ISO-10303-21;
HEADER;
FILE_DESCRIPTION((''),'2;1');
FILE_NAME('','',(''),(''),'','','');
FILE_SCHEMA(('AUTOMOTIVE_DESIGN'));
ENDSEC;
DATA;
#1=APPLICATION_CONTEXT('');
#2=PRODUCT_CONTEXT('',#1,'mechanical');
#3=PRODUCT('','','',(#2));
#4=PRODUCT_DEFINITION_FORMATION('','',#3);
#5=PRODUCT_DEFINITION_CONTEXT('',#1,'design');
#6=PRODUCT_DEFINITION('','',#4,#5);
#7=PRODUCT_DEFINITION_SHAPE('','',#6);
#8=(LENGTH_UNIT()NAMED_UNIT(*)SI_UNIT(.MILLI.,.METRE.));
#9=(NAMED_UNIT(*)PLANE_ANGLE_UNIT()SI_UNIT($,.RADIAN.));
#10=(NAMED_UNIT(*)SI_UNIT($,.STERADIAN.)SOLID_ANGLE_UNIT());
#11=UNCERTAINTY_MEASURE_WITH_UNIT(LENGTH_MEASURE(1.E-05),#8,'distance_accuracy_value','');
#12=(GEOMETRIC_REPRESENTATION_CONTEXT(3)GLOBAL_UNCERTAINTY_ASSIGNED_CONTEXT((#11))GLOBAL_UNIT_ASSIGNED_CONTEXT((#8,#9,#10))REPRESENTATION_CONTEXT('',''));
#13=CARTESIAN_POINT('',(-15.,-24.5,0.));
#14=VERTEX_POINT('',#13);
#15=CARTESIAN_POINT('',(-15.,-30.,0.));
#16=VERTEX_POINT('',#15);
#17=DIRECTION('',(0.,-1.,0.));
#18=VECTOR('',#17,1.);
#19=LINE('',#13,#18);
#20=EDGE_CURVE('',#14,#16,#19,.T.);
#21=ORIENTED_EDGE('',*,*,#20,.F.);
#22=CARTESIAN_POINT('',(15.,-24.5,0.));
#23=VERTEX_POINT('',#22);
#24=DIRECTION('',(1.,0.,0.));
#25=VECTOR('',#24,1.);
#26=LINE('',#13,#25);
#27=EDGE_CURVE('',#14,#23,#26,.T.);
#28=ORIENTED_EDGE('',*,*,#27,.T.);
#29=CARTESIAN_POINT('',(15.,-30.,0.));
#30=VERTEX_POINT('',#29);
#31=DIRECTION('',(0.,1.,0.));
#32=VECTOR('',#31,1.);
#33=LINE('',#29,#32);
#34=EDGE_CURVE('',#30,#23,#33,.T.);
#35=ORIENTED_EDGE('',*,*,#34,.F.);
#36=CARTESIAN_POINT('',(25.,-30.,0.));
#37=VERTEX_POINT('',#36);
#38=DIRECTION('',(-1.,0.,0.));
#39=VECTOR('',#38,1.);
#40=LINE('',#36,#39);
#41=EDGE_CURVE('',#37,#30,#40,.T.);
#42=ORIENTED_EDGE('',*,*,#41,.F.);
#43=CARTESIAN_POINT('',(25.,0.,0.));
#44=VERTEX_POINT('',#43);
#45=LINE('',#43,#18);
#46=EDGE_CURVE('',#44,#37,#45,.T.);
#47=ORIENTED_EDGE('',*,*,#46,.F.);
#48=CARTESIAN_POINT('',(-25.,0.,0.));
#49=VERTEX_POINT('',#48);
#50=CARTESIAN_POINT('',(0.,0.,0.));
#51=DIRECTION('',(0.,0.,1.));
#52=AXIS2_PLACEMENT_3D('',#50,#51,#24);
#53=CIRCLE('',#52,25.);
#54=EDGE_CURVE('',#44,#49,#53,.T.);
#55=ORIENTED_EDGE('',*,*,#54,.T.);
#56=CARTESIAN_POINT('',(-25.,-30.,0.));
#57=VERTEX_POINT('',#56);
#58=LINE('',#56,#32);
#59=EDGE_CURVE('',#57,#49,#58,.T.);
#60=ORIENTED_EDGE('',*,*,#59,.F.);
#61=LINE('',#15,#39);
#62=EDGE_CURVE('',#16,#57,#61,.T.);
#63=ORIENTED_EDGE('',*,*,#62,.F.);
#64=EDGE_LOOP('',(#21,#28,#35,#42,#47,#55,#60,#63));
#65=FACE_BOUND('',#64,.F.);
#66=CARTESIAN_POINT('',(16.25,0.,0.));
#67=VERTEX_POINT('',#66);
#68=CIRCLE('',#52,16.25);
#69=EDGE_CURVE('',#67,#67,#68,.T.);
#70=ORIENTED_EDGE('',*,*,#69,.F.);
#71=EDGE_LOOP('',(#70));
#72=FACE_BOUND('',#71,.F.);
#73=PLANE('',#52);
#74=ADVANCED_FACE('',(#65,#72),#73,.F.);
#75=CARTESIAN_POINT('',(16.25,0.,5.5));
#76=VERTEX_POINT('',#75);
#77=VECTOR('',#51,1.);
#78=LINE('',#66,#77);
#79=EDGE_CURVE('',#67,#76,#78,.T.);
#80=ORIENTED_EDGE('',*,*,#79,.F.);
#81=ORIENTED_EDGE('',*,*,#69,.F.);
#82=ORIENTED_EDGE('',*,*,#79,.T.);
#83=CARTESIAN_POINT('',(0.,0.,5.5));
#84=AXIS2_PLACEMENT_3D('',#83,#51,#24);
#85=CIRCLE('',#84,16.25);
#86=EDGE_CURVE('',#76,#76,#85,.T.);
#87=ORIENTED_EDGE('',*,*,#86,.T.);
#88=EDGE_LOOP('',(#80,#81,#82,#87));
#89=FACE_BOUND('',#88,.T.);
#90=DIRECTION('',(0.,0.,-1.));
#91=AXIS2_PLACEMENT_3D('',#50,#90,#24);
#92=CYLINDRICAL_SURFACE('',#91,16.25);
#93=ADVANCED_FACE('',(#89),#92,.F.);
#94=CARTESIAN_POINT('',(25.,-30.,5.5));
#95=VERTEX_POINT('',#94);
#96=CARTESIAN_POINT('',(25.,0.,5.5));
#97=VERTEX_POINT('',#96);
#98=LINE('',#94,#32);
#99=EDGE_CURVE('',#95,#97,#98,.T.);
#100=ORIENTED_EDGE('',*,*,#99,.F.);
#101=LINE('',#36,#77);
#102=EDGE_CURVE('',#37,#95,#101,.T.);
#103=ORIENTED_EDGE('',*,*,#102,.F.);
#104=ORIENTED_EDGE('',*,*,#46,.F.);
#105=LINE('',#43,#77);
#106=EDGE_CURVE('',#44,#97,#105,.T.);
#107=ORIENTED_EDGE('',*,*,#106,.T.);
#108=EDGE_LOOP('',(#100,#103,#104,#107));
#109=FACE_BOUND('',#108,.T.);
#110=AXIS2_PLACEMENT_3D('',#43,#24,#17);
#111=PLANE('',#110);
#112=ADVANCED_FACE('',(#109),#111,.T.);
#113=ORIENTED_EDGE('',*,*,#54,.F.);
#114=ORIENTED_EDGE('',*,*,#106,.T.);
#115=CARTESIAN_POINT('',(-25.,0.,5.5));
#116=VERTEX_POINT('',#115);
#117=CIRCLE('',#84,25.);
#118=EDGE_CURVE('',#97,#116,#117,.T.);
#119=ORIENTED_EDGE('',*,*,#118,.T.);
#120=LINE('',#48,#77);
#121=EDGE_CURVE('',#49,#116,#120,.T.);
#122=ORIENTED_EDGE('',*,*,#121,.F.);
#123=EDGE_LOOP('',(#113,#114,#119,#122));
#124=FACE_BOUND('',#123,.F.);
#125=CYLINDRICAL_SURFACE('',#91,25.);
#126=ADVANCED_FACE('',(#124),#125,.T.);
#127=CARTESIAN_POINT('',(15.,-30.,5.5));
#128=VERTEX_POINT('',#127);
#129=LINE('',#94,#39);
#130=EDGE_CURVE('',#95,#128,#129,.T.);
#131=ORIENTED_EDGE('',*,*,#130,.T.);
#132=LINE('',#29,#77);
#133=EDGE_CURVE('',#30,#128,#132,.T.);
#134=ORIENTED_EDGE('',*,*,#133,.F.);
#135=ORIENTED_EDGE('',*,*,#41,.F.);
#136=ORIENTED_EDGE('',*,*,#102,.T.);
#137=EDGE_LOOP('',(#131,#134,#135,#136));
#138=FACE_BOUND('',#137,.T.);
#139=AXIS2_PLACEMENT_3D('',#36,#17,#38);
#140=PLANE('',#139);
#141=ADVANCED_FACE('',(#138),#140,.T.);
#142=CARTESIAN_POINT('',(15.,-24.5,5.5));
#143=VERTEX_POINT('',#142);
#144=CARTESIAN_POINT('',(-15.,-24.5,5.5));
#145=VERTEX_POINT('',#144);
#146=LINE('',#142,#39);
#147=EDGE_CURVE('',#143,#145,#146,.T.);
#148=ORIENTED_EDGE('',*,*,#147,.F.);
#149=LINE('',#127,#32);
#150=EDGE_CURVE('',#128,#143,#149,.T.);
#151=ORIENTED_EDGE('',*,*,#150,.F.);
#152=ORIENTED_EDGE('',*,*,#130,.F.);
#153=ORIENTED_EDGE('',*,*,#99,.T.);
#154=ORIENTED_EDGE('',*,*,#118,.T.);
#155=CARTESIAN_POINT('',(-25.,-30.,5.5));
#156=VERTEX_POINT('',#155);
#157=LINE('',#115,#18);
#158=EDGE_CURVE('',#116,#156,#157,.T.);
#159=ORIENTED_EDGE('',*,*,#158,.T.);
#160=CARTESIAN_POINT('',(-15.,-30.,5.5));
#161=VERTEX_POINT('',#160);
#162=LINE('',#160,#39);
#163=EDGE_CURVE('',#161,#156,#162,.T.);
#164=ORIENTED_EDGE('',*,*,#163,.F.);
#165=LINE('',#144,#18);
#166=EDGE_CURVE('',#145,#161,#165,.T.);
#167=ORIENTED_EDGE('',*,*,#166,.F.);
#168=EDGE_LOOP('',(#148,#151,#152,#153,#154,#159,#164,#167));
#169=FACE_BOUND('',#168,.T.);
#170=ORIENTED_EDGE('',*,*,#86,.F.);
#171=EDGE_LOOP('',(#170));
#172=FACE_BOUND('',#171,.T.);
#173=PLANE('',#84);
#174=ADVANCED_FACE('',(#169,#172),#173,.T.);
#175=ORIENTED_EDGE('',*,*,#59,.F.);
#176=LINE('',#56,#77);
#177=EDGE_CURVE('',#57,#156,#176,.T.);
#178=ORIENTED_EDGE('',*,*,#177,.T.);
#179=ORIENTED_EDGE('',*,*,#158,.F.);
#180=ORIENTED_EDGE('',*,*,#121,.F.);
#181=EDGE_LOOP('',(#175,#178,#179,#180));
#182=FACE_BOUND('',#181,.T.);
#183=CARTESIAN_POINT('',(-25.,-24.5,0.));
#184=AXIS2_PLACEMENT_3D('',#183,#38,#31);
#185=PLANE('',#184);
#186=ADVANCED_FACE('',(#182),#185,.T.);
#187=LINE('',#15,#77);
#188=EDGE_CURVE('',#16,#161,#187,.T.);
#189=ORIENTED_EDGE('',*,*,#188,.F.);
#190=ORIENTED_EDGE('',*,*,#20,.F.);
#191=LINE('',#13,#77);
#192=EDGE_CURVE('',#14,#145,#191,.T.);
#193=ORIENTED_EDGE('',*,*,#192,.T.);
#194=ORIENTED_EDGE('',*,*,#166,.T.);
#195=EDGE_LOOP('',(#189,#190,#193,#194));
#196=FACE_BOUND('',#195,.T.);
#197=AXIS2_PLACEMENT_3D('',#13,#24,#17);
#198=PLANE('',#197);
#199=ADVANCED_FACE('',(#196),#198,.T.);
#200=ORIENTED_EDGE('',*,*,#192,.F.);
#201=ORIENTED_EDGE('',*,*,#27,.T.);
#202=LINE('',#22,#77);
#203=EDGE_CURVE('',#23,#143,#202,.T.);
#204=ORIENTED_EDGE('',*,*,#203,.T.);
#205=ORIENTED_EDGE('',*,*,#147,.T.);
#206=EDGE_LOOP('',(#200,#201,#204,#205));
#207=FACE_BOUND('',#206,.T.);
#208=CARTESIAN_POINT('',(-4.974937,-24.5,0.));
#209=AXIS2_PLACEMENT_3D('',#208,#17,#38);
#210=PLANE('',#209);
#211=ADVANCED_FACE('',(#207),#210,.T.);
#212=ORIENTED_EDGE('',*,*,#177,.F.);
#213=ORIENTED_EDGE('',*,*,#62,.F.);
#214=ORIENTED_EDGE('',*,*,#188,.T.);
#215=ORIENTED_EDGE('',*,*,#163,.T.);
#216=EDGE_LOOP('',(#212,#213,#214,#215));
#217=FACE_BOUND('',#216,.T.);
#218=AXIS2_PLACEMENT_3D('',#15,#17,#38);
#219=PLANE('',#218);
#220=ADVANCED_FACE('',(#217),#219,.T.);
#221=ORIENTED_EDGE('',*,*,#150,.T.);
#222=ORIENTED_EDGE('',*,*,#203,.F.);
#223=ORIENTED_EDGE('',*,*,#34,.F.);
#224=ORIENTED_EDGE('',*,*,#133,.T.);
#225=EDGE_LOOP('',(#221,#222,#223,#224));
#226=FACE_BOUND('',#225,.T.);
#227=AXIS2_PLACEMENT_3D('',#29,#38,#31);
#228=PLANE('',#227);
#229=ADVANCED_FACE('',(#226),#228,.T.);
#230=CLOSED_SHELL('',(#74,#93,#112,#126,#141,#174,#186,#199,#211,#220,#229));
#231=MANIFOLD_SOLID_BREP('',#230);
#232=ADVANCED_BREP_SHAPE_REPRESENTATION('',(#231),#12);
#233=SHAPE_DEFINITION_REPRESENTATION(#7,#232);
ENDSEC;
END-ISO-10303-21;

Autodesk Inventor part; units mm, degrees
ref_plane "YZ Plane" through (0, 0, 0) normal (1, 0, 0) x (0, 1, 0)
ref_plane "XZ Plane" through (0, 0, 0) normal (0, 1, 0) x (-1, 0, 0)
ref_plane "XY Plane" through (0, 0, 0) normal (0, 0, 1) x (1, 0, 0)
sketch "スケッチ1" plane through (0, 0, 0) normal (0, 0, 1) x (1, 0, 0)
  circle A0 centre (0, 0) radius 16.25
  line L0 (-25, 30.5) -> (25, 30.5)
  line L1 (25, 30.5) -> (25, -24.5)
  line L2 (25, -24.5) -> (-25, -24.5)
  line L3 (-25, -24.5) -> (-25, 30.5)
  line L4 (-25, -24.5) -> (-15, -24.5)
  line L5 (-15, -24.5) -> (-15, -30)
  line L6 (-15, -30) -> (-25, -30)
  line L7 (-25, -30) -> (-25, -24.5)
  line L8 (15, -24.5) -> (25, -24.5)
  line L9 (25, -24.5) -> (25, -30)
  line L10 (25, -30) -> (15, -30)
  line L11 (15, -30) -> (15, -24.5)
  circle A1 centre (0, 0) radius 25
  point P0 (0, 30.5)
  point P1 (-15, -24.5)
  point P2 (-25, 0)
  point P3 (25, 0)
  dimension "d0" = 32.5
  dimension "d1" = 24.5
  dimension "d2" = 50
  dimension "d3" = 55
  dimension "d6" = 5.5
  dimension "d7" = 10
extrude "押し出し1" add sketch "スケッチ1" along normal blind 5.5 contours A1 L2 L3 | A1 L2 | L1 L2 A1 | L2 L5 L6 L7 | L9 L10 L11 L2 picked at (-0.6529, -21.7105)
properties part number "motor_setter_front" material "木材 (カエデ材)"
